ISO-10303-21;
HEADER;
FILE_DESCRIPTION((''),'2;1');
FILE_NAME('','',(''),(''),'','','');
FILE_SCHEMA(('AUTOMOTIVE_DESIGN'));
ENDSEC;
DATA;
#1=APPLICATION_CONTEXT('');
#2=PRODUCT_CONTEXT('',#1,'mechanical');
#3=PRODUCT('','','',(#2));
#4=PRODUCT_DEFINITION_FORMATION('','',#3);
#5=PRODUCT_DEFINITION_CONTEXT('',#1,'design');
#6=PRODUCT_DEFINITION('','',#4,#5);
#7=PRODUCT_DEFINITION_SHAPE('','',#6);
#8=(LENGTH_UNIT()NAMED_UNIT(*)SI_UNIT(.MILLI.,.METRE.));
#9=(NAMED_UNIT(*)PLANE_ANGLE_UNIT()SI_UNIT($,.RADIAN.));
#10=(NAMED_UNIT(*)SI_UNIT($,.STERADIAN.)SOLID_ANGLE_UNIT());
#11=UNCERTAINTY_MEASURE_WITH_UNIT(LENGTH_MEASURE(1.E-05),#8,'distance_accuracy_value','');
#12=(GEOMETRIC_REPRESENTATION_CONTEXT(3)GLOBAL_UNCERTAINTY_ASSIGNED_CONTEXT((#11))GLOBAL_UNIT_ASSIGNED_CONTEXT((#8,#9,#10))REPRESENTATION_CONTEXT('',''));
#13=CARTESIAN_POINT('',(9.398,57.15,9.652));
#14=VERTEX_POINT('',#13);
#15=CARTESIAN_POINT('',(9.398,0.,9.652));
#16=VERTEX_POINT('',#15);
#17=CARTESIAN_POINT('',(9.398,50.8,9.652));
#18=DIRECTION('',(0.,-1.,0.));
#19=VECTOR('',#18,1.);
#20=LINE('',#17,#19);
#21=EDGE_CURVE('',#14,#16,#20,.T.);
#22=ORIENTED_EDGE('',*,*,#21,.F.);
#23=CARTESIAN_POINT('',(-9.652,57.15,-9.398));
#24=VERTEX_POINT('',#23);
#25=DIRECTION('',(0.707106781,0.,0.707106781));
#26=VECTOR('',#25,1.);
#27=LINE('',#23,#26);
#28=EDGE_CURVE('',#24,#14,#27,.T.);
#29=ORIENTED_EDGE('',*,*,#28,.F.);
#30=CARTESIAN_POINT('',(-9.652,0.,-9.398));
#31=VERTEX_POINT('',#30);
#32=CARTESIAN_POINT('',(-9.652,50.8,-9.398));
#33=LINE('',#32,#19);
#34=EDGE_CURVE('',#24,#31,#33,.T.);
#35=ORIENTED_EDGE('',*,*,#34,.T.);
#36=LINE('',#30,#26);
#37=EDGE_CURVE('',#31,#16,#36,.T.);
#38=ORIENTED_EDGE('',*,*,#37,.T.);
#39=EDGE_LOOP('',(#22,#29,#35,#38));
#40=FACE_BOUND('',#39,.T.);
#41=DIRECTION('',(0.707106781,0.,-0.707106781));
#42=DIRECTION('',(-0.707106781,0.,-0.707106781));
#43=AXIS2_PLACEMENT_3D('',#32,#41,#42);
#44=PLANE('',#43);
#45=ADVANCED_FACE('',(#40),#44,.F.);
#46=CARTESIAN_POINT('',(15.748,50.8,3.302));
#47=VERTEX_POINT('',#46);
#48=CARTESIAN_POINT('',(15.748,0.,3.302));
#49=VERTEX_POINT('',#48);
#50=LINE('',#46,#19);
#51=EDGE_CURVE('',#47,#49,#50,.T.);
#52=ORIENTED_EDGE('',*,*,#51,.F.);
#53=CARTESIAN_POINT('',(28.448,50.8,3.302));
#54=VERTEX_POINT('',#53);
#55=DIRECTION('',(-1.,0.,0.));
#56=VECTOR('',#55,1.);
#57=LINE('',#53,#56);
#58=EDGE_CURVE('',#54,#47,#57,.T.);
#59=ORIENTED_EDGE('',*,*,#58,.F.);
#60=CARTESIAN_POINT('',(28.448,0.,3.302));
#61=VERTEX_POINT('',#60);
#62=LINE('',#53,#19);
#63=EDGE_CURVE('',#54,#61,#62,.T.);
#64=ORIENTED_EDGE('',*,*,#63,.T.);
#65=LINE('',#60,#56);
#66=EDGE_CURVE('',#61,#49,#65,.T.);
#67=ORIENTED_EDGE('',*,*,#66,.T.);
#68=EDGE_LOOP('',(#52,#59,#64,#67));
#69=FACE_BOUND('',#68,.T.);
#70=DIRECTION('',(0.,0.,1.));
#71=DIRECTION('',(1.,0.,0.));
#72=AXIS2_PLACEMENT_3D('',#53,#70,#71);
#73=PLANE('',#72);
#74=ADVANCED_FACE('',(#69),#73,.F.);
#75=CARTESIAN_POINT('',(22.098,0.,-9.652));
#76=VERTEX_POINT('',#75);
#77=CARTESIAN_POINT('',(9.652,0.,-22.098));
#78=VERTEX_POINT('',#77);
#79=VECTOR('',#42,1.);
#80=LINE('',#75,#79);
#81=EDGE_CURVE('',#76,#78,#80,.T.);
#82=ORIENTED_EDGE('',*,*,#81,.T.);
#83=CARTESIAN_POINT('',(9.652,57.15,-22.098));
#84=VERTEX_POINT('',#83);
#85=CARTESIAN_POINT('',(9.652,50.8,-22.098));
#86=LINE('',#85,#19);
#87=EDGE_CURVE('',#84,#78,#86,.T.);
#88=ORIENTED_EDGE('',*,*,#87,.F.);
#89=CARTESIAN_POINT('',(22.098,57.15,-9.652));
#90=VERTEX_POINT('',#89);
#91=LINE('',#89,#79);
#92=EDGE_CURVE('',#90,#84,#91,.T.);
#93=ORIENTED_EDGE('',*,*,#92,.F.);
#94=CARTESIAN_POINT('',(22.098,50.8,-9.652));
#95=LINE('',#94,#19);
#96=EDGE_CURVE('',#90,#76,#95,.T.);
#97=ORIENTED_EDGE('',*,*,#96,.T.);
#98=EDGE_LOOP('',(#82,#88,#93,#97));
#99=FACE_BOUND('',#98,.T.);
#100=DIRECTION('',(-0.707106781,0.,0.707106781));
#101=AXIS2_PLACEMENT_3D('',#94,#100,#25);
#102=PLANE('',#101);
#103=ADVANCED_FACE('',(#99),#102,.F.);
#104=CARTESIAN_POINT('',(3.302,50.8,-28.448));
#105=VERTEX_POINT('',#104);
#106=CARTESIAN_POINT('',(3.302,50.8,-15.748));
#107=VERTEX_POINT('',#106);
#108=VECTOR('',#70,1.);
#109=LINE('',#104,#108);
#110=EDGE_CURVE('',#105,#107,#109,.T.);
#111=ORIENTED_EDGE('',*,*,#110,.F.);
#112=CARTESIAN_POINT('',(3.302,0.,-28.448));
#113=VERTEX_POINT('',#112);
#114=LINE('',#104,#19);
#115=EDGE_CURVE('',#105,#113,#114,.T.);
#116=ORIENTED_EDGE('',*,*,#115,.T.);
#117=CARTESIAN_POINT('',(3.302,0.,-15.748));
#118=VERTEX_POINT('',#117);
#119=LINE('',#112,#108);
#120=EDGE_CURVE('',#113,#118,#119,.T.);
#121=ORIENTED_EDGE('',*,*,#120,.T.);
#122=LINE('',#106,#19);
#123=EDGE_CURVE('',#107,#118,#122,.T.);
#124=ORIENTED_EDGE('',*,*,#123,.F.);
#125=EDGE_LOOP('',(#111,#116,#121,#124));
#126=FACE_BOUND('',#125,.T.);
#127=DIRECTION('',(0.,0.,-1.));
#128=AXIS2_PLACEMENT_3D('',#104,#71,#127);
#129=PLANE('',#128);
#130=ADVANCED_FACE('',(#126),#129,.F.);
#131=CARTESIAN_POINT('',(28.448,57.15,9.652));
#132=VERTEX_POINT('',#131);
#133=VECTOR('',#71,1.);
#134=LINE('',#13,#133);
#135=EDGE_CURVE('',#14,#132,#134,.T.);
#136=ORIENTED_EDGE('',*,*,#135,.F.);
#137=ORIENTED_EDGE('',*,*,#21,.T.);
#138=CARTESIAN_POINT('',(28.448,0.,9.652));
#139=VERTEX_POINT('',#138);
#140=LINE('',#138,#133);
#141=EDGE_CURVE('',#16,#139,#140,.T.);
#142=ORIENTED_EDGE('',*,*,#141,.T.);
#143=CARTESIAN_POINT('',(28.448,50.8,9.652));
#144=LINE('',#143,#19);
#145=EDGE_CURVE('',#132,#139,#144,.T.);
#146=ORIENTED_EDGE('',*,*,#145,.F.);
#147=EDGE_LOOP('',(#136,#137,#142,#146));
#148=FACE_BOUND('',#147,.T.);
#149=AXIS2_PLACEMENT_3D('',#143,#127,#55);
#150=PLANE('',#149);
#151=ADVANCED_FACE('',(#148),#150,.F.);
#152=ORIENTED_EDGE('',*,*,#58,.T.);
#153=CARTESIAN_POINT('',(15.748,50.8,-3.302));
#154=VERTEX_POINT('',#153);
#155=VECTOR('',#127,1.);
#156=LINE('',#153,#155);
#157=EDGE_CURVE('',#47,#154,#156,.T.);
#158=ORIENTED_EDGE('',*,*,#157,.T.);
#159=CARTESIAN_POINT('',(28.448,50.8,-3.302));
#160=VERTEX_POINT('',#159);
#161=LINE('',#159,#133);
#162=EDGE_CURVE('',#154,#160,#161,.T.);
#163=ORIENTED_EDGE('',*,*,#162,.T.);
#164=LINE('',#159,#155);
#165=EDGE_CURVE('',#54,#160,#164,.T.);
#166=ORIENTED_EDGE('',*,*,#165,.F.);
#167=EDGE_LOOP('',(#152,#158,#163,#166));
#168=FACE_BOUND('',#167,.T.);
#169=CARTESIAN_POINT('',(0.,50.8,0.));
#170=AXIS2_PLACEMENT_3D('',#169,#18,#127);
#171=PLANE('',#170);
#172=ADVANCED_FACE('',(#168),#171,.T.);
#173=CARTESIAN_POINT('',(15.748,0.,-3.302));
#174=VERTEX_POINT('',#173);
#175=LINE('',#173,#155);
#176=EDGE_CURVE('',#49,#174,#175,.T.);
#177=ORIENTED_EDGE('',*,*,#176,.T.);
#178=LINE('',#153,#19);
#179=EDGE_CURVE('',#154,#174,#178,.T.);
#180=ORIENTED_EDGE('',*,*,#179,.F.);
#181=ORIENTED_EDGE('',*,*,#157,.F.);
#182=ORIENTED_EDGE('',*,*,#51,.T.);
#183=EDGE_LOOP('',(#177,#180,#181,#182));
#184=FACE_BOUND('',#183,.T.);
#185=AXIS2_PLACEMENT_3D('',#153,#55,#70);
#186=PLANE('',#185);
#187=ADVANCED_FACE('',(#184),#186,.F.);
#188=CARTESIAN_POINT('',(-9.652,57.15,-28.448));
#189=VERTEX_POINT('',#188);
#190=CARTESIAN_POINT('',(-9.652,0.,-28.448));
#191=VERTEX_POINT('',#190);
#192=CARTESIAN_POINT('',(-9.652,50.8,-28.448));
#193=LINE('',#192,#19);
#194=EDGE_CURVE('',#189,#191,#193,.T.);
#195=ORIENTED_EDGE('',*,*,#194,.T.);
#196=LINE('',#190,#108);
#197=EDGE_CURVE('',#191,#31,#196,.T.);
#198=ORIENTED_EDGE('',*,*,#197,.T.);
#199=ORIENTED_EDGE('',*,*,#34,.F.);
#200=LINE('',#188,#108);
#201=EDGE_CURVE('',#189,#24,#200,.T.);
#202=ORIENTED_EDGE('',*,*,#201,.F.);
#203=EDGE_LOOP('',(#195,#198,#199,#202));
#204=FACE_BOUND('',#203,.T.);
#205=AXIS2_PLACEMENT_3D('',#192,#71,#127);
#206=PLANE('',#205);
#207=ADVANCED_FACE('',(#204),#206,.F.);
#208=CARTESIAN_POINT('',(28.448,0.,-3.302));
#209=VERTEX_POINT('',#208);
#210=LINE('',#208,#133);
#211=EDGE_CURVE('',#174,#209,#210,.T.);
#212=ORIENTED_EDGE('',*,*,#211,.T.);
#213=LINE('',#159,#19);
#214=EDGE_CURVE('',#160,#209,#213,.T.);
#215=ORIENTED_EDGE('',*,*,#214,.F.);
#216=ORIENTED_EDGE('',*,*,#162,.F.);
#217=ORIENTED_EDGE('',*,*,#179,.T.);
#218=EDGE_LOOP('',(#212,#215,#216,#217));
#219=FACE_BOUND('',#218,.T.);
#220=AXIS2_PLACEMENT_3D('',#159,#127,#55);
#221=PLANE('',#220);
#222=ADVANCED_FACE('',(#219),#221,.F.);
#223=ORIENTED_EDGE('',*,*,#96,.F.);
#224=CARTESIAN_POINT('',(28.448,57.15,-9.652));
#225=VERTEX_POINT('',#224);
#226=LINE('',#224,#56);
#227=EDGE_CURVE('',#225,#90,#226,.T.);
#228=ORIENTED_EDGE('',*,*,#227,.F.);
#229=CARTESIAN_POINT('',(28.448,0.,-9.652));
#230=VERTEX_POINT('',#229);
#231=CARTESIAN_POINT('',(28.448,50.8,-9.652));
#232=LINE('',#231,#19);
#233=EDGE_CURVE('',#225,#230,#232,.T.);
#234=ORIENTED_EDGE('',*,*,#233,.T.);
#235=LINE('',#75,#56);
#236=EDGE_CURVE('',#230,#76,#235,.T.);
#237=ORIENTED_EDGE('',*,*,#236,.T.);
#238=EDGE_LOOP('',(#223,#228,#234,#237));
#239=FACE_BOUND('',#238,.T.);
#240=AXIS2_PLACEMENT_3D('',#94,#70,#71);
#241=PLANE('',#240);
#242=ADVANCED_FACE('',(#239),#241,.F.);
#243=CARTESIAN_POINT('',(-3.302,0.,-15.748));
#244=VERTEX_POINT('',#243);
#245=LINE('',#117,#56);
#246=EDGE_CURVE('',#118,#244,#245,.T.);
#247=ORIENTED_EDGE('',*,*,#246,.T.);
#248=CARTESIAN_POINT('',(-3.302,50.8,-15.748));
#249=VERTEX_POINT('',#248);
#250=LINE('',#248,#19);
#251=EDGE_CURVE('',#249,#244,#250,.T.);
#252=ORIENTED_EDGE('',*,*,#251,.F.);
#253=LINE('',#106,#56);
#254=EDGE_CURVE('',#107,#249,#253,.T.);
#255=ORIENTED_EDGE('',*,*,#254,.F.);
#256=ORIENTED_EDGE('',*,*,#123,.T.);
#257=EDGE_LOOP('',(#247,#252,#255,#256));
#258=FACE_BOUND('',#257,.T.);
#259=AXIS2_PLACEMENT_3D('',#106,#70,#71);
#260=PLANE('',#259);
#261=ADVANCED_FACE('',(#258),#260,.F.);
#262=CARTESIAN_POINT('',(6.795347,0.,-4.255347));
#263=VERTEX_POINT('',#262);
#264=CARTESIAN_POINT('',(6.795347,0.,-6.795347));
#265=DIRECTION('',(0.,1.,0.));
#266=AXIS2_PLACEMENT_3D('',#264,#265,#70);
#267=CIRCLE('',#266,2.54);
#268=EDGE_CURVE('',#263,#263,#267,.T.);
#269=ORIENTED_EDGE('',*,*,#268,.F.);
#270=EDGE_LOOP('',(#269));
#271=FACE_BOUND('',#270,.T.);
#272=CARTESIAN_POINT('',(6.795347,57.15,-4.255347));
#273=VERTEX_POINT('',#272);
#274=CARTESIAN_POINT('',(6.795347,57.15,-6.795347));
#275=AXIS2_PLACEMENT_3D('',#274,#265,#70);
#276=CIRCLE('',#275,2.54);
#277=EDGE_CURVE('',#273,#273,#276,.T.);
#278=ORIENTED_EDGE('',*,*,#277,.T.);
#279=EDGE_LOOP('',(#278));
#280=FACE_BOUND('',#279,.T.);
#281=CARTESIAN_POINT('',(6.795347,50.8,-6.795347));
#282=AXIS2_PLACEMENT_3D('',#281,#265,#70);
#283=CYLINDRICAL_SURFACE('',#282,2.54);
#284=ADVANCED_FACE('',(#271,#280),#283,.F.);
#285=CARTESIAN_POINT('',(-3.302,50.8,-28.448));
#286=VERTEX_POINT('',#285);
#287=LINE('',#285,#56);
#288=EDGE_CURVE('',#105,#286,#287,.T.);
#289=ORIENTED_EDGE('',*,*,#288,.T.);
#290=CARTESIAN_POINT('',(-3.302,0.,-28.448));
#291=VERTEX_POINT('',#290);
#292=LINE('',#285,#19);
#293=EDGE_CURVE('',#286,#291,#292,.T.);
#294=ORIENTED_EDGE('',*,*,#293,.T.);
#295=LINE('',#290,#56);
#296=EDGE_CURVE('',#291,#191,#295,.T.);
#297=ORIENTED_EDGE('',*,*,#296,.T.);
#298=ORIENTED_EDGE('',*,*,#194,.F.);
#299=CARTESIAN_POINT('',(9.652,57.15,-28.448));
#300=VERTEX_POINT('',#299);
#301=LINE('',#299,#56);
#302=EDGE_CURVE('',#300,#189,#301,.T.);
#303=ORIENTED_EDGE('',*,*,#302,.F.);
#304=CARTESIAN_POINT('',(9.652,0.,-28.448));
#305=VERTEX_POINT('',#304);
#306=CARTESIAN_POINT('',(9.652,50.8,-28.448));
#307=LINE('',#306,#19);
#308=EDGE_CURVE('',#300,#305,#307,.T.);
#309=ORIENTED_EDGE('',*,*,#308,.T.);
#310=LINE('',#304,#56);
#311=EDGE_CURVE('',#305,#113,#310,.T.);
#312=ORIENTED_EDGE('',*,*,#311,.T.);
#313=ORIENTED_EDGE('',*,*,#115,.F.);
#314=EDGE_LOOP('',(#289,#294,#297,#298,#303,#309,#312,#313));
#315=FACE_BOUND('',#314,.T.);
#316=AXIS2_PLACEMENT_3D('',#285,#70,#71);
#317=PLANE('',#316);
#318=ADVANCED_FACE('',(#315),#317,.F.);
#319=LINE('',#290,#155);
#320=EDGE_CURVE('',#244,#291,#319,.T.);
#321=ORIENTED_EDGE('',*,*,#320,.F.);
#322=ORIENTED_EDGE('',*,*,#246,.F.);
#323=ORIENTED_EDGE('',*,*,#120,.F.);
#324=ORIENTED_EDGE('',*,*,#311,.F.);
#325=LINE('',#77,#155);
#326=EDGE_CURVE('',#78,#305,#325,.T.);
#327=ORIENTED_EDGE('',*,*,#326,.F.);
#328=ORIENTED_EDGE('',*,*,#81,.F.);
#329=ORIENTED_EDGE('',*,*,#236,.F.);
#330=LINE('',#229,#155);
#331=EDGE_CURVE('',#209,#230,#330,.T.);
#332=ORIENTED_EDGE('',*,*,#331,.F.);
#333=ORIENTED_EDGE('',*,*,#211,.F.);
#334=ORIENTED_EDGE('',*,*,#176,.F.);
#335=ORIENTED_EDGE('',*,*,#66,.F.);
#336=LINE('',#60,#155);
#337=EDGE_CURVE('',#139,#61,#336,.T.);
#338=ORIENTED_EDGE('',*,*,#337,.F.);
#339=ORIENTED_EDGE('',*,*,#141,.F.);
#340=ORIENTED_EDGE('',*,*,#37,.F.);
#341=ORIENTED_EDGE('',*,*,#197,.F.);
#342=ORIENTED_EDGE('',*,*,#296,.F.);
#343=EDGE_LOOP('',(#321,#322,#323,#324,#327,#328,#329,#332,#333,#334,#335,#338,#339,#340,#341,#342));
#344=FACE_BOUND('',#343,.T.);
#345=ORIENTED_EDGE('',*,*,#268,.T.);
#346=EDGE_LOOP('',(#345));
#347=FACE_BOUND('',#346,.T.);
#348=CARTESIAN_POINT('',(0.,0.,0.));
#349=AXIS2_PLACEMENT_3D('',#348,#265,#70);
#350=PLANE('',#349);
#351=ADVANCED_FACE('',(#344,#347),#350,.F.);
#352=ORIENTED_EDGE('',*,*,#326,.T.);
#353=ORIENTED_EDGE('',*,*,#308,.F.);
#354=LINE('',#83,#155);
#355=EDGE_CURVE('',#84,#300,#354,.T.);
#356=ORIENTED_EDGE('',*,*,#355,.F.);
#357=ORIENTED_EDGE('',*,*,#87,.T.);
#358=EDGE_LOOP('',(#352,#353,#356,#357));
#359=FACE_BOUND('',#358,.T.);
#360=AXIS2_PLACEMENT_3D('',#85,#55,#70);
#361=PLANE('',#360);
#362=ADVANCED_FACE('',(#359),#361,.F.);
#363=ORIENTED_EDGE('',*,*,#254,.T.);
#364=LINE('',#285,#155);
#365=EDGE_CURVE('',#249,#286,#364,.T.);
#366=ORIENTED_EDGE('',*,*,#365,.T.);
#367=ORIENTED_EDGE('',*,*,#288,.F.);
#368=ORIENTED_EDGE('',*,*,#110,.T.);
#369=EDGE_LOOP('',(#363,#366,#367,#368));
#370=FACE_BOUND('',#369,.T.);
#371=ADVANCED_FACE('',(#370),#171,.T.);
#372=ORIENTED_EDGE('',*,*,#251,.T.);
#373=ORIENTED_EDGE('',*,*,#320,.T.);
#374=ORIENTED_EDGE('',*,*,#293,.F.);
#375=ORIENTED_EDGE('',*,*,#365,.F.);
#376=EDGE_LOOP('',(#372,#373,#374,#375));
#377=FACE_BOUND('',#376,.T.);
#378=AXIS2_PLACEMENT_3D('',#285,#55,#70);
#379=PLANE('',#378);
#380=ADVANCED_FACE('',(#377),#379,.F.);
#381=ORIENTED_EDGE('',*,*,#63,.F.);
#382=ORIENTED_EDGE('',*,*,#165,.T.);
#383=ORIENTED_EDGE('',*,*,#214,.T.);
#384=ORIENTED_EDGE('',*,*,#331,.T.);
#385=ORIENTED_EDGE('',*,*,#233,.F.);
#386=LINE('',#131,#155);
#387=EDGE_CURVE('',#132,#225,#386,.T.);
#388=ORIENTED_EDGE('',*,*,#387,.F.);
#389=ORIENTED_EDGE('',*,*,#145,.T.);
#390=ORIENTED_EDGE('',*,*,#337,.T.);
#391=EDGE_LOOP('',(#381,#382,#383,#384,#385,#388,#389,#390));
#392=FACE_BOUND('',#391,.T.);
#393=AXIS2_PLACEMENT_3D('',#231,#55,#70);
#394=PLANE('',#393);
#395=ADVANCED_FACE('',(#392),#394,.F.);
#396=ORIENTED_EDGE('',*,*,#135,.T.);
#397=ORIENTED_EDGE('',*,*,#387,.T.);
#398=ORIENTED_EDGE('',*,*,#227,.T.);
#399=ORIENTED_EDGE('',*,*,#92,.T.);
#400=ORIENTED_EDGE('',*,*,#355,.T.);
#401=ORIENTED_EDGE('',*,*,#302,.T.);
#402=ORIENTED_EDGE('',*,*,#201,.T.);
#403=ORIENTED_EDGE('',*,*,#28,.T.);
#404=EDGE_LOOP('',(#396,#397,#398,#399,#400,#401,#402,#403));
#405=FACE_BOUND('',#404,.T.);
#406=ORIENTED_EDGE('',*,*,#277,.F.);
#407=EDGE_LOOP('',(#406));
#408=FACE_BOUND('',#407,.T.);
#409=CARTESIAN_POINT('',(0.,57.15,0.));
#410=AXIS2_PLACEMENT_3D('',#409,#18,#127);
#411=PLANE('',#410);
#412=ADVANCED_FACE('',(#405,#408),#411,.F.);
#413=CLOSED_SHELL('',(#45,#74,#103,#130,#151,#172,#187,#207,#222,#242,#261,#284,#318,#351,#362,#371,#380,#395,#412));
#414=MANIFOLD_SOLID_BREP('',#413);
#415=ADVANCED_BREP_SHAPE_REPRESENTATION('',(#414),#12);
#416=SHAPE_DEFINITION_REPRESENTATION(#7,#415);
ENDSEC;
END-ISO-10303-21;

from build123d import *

# Parameters (mm, degrees)
BOSS_EXTRUDE1_DEPTH         = 50.8
TAP_DRILL_FOR_1_4_20_TAP1_D = 5.08
SKETCH4_R                   = 2.54
BOSS_EXTRUDE2_DEPTH         = 6.35


with BuildPart() as part:
    # Sketch1 → Boss-Extrude1 (new body)
    with BuildSketch(Plane(origin=(0, 0, 0), x_dir=(1, 0, 0), z_dir=(0, 1, 0))):
        Polygon((22.098, 9.652), (9.652, 22.098), (9.652, 28.448), (3.302, 28.448), (3.302, 15.748), (-3.302, 15.748), (-3.302, 28.448), (-9.652, 28.448), (-9.652, 9.398), (9.398, -9.652), (28.448, -9.652), (28.448, -3.302), (15.748, -3.302), (15.748, 3.302), (28.448, 3.302), (28.448, 9.652), align=None)
    extrude(amount=BOSS_EXTRUDE1_DEPTH)

    # Tap Drill for 1/4-20 Tap1 (through all)
    with Locations(Plane(origin=(0, 50.8, 0), x_dir=(1, 0, 0), z_dir=(0, 1, 0))):
        with Locations((6.795346667, 6.795346667)):
            Hole(TAP_DRILL_FOR_1_4_20_TAP1_D / 2)

    # Sketch4 → Boss-Extrude2 (add)
    with BuildSketch(Plane(origin=(0, 50.8, 0), x_dir=(1, 0, 0), z_dir=(0, 1, 0))):
        Polygon((-3.302, 28.448), (3.302, 28.448), (9.652, 28.448), (9.652, 22.098), (22.098, 9.652), (28.448, 9.652), (28.448, 3.302), (28.448, -3.302), (28.448, -9.652), (9.398, -9.652), (-9.652, 9.398), (-9.652, 28.448), align=None)
        with Locations(Location((6.795346667, 6.795346667, 0), (0, 0, 270))):
            Circle(SKETCH4_R, mode=Mode.SUBTRACT)
    extrude(amount=BOSS_EXTRUDE2_DEPTH)


solid = part.part
